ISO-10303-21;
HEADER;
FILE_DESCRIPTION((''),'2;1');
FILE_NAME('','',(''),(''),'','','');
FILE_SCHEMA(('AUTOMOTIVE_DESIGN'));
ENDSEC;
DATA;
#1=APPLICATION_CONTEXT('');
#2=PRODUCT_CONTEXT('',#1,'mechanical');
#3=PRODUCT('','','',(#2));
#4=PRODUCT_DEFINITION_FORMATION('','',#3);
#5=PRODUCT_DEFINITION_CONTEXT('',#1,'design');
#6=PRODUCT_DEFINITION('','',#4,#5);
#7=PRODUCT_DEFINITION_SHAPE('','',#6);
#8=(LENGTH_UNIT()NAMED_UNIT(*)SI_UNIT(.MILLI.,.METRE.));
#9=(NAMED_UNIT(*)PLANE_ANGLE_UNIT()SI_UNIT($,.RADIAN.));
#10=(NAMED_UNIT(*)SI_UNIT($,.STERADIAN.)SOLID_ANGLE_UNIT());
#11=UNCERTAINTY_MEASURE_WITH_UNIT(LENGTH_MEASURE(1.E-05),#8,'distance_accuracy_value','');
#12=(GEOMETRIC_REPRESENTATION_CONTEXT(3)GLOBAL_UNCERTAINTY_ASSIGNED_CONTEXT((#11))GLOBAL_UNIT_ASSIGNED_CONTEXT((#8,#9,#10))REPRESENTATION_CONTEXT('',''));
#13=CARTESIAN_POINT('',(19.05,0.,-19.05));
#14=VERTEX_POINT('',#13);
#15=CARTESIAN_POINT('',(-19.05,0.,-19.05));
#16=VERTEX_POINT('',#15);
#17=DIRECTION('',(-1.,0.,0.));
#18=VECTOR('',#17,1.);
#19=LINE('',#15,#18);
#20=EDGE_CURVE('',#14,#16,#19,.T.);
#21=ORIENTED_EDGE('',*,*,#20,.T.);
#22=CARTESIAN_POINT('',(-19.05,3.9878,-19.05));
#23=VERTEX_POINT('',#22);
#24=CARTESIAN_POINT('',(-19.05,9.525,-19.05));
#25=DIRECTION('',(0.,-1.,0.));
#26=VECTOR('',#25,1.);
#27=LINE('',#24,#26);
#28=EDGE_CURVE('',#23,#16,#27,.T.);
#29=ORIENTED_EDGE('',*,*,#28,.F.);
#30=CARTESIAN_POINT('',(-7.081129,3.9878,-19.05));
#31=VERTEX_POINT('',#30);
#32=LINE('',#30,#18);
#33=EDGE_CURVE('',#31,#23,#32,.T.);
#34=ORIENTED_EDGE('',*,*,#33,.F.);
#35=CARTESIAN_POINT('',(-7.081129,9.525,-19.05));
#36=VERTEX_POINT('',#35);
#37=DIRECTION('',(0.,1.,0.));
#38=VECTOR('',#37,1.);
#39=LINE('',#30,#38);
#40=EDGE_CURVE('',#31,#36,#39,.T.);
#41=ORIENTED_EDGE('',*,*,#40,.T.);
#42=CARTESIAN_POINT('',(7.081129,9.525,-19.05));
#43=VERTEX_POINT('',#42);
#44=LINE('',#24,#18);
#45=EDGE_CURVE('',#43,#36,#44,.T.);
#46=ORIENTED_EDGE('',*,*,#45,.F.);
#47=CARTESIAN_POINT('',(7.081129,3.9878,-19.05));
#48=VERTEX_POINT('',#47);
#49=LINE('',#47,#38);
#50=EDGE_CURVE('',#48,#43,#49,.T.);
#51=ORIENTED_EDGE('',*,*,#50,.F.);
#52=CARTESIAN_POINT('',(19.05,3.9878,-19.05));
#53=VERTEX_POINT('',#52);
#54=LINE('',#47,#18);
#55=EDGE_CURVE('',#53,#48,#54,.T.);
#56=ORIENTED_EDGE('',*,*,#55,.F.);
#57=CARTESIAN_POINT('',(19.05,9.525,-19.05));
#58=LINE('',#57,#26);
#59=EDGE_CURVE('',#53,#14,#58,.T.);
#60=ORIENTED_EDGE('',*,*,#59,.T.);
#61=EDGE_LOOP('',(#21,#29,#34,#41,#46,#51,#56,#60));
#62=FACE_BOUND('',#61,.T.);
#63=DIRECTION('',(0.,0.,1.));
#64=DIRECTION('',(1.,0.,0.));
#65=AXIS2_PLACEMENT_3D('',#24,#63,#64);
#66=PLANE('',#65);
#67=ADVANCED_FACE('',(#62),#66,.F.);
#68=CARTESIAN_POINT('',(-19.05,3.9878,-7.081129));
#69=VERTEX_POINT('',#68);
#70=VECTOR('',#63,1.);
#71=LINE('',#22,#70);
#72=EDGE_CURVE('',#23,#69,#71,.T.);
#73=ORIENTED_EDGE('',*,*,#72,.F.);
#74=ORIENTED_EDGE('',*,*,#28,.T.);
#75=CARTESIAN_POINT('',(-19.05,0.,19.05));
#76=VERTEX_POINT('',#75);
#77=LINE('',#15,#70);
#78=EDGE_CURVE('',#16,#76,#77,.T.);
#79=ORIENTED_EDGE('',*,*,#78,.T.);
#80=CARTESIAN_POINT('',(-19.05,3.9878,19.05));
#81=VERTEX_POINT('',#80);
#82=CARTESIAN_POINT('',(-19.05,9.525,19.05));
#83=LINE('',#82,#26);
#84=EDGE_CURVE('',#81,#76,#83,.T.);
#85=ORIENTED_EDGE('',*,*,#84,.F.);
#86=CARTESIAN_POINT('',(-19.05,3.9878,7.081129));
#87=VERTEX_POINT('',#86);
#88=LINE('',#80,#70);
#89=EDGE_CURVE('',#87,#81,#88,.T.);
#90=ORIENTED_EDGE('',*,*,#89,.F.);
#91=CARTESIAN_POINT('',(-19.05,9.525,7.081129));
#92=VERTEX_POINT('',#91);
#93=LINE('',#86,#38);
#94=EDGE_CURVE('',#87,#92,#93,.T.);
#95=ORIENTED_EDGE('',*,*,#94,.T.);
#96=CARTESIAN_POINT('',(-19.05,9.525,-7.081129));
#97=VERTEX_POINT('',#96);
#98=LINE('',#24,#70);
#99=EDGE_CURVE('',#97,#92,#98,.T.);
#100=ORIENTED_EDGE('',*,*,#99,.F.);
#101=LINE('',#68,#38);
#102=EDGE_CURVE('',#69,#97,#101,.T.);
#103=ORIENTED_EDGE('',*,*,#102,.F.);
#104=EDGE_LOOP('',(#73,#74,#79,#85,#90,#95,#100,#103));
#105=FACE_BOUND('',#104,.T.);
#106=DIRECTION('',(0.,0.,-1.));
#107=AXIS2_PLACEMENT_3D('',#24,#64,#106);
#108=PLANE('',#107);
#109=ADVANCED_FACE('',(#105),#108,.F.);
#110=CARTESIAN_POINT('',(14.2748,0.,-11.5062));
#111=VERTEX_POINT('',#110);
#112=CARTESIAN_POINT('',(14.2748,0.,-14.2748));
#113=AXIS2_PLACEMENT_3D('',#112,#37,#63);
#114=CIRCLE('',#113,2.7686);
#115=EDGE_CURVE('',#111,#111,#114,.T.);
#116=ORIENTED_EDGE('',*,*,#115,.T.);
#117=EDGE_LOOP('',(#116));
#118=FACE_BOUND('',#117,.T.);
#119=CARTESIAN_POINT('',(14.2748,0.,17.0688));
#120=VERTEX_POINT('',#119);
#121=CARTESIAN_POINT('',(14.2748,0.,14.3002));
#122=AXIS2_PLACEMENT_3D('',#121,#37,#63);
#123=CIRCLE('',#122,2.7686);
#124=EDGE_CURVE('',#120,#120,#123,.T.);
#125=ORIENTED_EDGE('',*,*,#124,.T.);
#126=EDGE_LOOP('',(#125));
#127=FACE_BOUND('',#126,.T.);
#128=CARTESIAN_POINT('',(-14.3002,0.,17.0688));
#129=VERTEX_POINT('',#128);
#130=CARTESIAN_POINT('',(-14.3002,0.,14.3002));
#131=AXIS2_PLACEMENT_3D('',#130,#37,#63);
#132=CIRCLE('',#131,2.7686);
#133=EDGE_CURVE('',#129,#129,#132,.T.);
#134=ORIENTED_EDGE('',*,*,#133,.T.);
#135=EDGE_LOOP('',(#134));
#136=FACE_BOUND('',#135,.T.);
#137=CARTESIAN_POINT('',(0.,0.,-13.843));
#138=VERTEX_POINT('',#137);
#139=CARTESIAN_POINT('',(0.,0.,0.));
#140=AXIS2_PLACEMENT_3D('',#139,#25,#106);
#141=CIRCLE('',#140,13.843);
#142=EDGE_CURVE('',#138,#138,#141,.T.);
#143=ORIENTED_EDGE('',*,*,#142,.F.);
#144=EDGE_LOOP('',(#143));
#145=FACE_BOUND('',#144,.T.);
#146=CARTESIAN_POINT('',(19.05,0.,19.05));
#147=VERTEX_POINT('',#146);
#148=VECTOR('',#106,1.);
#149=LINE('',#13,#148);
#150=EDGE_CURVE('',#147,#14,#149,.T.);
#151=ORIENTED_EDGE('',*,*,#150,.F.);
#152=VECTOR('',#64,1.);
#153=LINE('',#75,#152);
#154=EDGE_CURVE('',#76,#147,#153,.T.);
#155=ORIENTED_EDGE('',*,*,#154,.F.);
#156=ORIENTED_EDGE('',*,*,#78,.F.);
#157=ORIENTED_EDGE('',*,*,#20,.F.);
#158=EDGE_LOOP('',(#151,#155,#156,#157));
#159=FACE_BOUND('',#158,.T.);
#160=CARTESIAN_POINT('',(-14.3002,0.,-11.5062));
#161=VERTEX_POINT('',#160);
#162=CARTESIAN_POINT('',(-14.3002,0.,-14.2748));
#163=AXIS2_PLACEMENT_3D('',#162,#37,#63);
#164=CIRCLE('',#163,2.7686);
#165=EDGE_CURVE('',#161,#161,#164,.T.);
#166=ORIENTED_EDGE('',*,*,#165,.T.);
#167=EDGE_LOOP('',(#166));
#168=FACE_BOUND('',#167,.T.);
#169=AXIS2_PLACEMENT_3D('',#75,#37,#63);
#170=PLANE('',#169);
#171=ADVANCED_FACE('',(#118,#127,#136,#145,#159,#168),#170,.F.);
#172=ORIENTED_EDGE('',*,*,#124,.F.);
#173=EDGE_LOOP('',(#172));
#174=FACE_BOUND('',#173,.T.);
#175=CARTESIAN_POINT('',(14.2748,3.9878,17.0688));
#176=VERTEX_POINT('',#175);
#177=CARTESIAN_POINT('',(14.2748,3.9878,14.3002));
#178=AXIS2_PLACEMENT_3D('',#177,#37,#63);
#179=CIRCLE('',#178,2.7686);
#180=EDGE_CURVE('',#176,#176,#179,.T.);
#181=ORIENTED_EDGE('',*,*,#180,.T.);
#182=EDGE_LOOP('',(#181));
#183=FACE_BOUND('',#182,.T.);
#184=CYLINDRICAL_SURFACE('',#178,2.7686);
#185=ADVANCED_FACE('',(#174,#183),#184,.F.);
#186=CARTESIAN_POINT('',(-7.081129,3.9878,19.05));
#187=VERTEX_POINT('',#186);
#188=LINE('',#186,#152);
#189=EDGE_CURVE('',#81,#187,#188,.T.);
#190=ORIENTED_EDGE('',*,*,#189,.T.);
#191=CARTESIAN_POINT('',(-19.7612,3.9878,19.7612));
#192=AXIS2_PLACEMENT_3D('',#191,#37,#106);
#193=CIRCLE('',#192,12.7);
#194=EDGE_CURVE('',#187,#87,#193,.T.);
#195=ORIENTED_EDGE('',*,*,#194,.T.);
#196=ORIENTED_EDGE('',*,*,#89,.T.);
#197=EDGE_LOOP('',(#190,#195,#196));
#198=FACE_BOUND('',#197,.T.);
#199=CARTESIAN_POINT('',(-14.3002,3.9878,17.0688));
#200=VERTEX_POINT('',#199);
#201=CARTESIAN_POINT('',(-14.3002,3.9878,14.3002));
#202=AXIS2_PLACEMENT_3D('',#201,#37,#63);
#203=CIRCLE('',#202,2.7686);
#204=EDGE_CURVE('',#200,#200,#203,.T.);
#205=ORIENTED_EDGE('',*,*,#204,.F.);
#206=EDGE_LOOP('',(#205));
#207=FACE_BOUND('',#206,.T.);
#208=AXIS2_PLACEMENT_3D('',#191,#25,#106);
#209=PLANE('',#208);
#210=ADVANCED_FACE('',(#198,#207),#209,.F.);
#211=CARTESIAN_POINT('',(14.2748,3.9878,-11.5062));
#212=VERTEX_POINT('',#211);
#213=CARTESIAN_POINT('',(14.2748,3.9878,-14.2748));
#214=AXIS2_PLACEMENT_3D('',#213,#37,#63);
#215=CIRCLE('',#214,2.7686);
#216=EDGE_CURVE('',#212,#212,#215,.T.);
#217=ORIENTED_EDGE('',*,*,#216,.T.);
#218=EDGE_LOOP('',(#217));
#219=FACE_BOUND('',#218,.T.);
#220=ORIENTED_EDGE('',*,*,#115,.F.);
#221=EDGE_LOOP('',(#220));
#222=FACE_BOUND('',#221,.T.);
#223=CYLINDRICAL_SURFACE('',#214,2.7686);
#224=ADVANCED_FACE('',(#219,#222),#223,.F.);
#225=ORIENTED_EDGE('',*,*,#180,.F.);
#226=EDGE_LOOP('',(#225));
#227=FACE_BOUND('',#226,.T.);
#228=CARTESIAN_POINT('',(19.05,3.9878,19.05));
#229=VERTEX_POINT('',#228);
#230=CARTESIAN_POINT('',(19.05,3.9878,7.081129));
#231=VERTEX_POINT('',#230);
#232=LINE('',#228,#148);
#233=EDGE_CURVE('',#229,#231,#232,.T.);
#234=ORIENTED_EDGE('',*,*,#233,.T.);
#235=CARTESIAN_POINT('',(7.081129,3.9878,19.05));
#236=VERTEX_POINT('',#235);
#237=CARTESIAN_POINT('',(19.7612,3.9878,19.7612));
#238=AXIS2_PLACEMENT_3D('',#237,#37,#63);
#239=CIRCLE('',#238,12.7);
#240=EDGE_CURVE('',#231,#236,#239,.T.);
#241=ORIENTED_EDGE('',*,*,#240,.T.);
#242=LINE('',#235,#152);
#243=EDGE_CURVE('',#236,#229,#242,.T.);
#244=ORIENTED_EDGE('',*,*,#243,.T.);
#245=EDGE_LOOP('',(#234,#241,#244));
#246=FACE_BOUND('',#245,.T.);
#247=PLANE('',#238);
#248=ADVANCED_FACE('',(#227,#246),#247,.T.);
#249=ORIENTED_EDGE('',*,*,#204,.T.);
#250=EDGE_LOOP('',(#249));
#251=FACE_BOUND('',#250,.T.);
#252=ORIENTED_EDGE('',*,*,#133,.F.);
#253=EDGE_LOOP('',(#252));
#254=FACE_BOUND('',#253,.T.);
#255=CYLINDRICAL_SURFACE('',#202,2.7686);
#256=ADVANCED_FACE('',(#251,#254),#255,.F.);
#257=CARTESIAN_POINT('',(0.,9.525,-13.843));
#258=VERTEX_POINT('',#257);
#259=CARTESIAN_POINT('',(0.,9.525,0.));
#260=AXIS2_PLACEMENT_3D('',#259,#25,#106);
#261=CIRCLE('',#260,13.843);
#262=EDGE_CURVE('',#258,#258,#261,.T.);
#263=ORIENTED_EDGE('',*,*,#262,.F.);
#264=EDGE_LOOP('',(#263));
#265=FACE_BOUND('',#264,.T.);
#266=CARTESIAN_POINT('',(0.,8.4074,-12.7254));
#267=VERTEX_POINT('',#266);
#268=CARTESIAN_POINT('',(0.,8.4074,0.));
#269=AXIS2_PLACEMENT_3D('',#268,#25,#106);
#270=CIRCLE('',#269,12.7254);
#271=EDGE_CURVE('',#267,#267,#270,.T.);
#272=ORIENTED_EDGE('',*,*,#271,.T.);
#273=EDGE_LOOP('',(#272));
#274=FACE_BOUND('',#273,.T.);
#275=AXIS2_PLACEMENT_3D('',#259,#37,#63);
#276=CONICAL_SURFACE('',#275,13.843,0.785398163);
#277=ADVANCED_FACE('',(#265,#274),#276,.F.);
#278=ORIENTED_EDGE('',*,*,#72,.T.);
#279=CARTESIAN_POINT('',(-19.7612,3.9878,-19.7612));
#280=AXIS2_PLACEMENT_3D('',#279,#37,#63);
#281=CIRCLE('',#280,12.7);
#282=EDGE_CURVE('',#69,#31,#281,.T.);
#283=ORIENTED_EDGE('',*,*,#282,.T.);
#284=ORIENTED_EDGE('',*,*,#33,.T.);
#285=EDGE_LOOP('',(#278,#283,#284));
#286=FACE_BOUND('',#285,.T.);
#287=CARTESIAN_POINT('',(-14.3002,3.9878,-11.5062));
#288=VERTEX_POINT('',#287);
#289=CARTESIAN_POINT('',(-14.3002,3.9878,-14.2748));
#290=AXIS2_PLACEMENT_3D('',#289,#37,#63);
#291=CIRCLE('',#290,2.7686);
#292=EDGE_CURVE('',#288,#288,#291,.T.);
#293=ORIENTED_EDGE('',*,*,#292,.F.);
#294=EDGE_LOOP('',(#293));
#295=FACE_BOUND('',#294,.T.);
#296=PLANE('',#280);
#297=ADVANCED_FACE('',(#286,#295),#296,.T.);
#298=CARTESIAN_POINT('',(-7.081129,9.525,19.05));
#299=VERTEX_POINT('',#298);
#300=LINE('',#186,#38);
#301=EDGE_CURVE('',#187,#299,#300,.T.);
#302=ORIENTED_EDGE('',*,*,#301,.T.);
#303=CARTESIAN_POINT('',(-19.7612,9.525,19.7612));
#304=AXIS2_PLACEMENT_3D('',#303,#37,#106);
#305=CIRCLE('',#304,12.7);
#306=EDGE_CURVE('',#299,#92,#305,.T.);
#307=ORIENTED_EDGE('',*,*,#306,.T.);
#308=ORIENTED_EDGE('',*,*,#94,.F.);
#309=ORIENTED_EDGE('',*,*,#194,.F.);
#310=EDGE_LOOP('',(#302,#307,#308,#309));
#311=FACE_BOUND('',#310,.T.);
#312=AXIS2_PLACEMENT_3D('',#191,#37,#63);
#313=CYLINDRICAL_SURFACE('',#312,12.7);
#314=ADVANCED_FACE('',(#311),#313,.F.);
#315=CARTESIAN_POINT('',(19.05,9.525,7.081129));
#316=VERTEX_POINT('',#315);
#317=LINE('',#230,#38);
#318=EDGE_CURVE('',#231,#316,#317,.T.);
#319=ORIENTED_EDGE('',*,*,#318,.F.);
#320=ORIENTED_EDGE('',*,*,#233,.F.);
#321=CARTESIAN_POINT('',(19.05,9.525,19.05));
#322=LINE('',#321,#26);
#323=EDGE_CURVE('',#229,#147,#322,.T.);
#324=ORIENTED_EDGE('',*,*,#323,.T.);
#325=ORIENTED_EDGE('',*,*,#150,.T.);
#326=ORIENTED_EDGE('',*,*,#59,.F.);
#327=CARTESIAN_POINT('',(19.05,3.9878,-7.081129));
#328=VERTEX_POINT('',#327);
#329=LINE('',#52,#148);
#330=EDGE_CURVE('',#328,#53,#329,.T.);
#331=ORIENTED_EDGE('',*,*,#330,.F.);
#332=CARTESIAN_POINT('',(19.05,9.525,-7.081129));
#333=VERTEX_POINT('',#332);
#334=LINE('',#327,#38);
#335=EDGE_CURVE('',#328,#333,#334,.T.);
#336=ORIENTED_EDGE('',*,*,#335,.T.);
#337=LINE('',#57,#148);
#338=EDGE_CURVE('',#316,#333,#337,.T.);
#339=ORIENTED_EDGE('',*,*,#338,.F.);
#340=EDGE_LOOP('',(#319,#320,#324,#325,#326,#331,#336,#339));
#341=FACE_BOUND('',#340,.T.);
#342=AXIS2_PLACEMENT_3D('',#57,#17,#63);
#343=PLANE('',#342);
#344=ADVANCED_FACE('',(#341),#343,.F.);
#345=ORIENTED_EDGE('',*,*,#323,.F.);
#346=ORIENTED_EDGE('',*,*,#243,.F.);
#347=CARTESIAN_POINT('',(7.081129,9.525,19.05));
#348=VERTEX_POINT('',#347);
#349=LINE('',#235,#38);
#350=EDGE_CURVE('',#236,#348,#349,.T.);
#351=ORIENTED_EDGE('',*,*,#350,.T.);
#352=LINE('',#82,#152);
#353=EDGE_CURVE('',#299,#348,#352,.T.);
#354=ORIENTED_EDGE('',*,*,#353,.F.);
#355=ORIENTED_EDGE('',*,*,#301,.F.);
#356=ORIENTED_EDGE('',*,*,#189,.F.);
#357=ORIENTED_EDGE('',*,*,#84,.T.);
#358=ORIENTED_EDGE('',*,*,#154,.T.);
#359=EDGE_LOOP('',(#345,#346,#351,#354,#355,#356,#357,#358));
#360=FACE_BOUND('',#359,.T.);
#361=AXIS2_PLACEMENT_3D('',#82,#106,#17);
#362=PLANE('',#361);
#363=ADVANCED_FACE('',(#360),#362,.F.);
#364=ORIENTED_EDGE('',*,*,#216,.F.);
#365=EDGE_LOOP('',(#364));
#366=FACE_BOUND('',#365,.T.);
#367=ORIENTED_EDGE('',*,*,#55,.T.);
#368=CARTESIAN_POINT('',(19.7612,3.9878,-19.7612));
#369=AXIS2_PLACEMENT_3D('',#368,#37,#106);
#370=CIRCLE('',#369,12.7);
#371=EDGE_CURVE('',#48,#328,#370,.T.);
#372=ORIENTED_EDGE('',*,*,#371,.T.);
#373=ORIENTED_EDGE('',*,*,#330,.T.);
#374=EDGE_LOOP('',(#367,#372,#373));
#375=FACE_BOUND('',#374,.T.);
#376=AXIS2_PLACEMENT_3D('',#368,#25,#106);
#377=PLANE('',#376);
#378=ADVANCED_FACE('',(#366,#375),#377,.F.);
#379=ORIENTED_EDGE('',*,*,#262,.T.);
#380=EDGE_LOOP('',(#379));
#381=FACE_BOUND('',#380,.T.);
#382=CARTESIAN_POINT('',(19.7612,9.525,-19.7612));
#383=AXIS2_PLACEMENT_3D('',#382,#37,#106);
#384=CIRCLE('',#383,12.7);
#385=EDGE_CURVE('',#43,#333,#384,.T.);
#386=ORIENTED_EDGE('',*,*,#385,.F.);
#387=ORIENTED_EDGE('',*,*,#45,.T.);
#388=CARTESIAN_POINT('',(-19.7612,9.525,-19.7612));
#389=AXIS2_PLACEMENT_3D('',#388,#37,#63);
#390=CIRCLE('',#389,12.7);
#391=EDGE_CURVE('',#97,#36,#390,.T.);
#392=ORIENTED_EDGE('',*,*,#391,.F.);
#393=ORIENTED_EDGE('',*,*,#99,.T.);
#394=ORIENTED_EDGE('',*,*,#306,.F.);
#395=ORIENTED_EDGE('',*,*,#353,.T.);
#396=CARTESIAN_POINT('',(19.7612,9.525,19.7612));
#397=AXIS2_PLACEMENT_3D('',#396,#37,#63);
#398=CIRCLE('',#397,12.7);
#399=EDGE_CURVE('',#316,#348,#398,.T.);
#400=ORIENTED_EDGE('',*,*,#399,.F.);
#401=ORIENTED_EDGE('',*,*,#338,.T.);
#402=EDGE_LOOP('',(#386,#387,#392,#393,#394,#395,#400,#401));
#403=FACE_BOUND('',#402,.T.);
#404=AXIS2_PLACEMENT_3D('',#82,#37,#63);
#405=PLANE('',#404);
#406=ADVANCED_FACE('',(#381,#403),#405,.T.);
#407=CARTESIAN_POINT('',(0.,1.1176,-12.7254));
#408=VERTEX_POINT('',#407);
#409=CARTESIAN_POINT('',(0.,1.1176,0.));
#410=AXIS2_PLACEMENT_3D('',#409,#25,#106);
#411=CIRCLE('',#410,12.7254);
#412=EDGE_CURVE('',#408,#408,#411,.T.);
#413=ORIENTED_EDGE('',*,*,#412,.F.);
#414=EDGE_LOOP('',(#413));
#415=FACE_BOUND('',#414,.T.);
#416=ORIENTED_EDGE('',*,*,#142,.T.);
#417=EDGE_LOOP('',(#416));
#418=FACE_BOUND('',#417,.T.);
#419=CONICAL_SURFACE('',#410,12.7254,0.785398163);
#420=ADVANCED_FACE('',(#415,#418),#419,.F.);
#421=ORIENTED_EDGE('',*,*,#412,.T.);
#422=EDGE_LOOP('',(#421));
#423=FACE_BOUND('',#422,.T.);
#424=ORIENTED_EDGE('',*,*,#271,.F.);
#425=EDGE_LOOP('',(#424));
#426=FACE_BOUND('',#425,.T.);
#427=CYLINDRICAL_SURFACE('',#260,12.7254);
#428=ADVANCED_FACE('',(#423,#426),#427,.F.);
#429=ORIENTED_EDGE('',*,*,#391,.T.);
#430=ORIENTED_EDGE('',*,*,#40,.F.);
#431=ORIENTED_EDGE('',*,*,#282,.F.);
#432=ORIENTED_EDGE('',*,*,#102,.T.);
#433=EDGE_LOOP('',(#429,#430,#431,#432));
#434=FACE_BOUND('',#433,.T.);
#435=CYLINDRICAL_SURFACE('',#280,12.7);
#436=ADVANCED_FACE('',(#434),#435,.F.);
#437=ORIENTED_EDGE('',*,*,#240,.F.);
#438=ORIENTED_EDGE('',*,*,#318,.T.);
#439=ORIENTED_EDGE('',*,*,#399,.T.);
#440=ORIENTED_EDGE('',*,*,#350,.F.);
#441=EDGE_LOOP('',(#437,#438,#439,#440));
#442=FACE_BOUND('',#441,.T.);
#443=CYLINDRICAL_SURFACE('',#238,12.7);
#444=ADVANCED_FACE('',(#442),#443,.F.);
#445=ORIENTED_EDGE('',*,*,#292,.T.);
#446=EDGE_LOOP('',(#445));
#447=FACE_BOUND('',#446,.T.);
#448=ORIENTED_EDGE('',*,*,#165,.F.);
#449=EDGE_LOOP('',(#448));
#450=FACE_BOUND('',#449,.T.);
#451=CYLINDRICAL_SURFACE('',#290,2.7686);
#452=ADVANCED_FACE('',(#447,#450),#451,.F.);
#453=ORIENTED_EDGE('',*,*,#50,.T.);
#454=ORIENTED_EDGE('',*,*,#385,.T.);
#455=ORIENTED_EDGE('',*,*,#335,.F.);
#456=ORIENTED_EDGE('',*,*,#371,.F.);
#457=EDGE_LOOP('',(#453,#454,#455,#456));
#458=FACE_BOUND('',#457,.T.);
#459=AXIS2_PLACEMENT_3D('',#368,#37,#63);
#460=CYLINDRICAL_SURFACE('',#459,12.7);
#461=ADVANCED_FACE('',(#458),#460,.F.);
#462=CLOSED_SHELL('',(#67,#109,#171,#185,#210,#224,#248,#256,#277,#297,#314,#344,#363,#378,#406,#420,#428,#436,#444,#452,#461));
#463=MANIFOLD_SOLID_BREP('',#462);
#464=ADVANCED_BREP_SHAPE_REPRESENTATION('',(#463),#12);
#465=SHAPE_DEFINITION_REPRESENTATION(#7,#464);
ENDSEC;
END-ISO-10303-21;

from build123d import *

# Parameters (mm, degrees)
SKETCH1_W          = 38.1
SKETCH1_H          = 38.1
SKETCH1_R          = 12.7254
EXTRUDE1_DEPTH     = 9.525
CUT_EXTRUDE1_DEPTH = 5.5372
HOLE1_D            = 5.5372
HOLE1_DEPTH        = 3.9878


with BuildPart() as part:
    # Sketch1 → Extrude1 (new body)
    with BuildSketch(Plane(origin=(0, 0, 0), x_dir=(1, 0, 0), z_dir=(0, 1, 0))):
        Rectangle(SKETCH1_W, SKETCH1_H)
        with Locations(Location((0, 0, 0), (0, 0, 270))):  # turned: the seam where the file's is
            Circle(SKETCH1_R, mode=Mode.SUBTRACT)
    extrude(amount=EXTRUDE1_DEPTH)

    # Sketch2 → Cut-Extrude1 (cut)
    with BuildSketch(Plane(origin=(0, 9.525, 0), x_dir=(1, 0, 0), z_dir=(0, 1, 0))):
        with BuildLine():
            Line((7.081129237, -19.05), (19.05, -19.05))
            Line((19.05, -19.05), (19.05, -7.081129237))
            ThreePointArc((19.05, -7.081129237), (10.780943879, -10.780943879), (7.081129237, -19.05))
        make_face()
        with BuildLine():
            Line((19.05, 19.05), (19.05, 7.081129237))
            ThreePointArc((19.05, 7.081129237), (10.780943879, 10.780943879), (7.081129237, 19.05))
            Line((7.081129237, 19.05), (19.05, 19.05))
        make_face()
        with BuildLine():
            Line((-7.081129237, 19.05), (-19.05, 19.05))
            Line((-19.05, 19.05), (-19.05, 7.081129237))
            ThreePointArc((-19.05, 7.081129237), (-10.780943879, 10.780943879), (-7.081129237, 19.05))
        make_face()
        with BuildLine():
            Line((-19.05, -19.05), (-19.05, -7.081129237))
            ThreePointArc((-19.05, -7.081129237), (-10.780943879, -10.780943879), (-7.081129237, -19.05))
            Line((-7.081129237, -19.05), (-19.05, -19.05))
        make_face()
    extrude(amount=-CUT_EXTRUDE1_DEPTH, mode=Mode.SUBTRACT)

    # Hole1
    with Locations(Plane(origin=(0, 3.9878, 0), x_dir=(-1, 0, 0), z_dir=(0, 1, 0))):
        with Locations((14.3002, 14.3002), (14.3002, -14.2748), (-14.2748, 14.3002), (-14.2748, -14.2748)):
            Hole(HOLE1_D / 2, depth=HOLE1_DEPTH)

    # Sketch5 → Cut-Revolve1 (revolve, cut)
    with BuildSketch(Plane(origin=(0, 0, 0), x_dir=(0, 0, -1), z_dir=(1, 0, 0)), mode=Mode.PRIVATE) as cut_revolve1_sk:
        Polygon((-13.843, 9.525), (-12.7254, 9.525), (-12.7254, 8.4074), align=None)
        Polygon((-12.7254, 1.1176), (-13.843, 0), (-12.7254, 0), align=None)
    revolve(cut_revolve1_sk.sketch.rotate(Axis((0, 0, 0), (0, 1, 0)), 180), axis=Axis((0, 0, 0), (0, 1, 0)), mode=Mode.SUBTRACT)  # turned: the seam where the file's is


solid = part.part
